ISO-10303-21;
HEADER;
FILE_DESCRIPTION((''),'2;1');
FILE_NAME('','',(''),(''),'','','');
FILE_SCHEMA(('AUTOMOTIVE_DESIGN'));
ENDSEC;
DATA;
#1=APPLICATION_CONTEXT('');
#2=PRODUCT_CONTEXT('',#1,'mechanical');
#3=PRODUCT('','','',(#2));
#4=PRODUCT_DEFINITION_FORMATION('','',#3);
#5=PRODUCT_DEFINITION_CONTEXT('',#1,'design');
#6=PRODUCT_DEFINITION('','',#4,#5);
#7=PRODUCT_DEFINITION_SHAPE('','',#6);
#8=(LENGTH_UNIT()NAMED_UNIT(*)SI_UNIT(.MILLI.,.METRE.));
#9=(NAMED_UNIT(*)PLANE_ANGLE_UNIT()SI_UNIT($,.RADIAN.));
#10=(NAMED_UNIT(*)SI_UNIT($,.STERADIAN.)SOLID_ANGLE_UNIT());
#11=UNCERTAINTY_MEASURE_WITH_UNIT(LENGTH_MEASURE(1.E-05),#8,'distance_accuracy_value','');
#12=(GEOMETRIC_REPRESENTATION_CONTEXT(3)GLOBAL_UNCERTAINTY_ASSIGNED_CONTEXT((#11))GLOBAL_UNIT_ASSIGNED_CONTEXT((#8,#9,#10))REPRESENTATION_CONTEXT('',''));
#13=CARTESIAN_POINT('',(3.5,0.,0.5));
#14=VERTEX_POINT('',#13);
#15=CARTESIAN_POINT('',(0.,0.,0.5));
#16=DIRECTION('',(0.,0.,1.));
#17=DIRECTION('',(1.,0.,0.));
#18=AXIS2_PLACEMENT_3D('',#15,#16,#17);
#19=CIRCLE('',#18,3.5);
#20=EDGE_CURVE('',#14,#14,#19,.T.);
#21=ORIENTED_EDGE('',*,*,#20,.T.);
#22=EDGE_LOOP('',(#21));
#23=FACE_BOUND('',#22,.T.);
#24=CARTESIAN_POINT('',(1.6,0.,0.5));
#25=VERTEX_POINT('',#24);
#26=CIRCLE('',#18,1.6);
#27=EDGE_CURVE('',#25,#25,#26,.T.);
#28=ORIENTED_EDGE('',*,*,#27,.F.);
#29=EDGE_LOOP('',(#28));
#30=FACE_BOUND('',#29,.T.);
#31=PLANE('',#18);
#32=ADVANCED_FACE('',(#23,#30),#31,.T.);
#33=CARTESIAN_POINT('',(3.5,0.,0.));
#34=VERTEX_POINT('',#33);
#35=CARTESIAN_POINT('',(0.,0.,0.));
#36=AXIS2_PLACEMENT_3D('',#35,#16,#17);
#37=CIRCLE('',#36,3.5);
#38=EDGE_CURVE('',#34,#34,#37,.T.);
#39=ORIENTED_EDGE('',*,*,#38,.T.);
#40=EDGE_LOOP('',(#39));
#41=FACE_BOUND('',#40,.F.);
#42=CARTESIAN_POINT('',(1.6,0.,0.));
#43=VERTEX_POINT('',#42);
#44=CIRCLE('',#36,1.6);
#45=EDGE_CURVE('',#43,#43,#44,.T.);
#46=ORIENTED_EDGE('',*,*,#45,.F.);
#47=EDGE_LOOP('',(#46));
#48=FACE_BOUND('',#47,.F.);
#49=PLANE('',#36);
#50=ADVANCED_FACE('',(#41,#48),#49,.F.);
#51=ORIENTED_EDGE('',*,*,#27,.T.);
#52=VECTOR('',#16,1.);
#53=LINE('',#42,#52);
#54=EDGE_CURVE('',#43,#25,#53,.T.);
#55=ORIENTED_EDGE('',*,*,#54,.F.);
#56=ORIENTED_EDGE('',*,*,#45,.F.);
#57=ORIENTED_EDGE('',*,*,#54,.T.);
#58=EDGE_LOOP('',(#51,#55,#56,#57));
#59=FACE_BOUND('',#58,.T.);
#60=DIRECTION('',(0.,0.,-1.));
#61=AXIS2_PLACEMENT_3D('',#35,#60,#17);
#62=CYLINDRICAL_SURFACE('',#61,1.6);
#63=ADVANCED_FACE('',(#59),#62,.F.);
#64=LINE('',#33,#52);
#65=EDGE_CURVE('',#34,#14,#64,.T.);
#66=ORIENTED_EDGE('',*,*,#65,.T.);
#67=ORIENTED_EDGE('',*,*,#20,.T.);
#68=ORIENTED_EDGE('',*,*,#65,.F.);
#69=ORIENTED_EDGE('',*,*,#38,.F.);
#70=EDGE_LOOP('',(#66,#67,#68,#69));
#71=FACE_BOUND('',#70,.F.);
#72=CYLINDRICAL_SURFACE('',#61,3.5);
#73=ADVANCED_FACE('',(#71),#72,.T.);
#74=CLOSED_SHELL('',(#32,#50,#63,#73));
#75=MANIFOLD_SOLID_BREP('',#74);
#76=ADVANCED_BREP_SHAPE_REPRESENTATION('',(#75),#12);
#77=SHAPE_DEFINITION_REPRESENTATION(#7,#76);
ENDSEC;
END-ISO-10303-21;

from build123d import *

# Parameters (mm, degrees)
SKETCH_1_R      = 3.5
SKETCH_1_R_2    = 1.6
EXTRUDE_1_DEPTH = 0.5


with BuildPart() as part:
    # Эскиз1 → Бобышка-Вытянуть1 (new body)
    with BuildSketch(Plane.XY):
        Circle(SKETCH_1_R)
        Circle(SKETCH_1_R_2, mode=Mode.SUBTRACT)
    extrude(amount=EXTRUDE_1_DEPTH)


solid = part.part
